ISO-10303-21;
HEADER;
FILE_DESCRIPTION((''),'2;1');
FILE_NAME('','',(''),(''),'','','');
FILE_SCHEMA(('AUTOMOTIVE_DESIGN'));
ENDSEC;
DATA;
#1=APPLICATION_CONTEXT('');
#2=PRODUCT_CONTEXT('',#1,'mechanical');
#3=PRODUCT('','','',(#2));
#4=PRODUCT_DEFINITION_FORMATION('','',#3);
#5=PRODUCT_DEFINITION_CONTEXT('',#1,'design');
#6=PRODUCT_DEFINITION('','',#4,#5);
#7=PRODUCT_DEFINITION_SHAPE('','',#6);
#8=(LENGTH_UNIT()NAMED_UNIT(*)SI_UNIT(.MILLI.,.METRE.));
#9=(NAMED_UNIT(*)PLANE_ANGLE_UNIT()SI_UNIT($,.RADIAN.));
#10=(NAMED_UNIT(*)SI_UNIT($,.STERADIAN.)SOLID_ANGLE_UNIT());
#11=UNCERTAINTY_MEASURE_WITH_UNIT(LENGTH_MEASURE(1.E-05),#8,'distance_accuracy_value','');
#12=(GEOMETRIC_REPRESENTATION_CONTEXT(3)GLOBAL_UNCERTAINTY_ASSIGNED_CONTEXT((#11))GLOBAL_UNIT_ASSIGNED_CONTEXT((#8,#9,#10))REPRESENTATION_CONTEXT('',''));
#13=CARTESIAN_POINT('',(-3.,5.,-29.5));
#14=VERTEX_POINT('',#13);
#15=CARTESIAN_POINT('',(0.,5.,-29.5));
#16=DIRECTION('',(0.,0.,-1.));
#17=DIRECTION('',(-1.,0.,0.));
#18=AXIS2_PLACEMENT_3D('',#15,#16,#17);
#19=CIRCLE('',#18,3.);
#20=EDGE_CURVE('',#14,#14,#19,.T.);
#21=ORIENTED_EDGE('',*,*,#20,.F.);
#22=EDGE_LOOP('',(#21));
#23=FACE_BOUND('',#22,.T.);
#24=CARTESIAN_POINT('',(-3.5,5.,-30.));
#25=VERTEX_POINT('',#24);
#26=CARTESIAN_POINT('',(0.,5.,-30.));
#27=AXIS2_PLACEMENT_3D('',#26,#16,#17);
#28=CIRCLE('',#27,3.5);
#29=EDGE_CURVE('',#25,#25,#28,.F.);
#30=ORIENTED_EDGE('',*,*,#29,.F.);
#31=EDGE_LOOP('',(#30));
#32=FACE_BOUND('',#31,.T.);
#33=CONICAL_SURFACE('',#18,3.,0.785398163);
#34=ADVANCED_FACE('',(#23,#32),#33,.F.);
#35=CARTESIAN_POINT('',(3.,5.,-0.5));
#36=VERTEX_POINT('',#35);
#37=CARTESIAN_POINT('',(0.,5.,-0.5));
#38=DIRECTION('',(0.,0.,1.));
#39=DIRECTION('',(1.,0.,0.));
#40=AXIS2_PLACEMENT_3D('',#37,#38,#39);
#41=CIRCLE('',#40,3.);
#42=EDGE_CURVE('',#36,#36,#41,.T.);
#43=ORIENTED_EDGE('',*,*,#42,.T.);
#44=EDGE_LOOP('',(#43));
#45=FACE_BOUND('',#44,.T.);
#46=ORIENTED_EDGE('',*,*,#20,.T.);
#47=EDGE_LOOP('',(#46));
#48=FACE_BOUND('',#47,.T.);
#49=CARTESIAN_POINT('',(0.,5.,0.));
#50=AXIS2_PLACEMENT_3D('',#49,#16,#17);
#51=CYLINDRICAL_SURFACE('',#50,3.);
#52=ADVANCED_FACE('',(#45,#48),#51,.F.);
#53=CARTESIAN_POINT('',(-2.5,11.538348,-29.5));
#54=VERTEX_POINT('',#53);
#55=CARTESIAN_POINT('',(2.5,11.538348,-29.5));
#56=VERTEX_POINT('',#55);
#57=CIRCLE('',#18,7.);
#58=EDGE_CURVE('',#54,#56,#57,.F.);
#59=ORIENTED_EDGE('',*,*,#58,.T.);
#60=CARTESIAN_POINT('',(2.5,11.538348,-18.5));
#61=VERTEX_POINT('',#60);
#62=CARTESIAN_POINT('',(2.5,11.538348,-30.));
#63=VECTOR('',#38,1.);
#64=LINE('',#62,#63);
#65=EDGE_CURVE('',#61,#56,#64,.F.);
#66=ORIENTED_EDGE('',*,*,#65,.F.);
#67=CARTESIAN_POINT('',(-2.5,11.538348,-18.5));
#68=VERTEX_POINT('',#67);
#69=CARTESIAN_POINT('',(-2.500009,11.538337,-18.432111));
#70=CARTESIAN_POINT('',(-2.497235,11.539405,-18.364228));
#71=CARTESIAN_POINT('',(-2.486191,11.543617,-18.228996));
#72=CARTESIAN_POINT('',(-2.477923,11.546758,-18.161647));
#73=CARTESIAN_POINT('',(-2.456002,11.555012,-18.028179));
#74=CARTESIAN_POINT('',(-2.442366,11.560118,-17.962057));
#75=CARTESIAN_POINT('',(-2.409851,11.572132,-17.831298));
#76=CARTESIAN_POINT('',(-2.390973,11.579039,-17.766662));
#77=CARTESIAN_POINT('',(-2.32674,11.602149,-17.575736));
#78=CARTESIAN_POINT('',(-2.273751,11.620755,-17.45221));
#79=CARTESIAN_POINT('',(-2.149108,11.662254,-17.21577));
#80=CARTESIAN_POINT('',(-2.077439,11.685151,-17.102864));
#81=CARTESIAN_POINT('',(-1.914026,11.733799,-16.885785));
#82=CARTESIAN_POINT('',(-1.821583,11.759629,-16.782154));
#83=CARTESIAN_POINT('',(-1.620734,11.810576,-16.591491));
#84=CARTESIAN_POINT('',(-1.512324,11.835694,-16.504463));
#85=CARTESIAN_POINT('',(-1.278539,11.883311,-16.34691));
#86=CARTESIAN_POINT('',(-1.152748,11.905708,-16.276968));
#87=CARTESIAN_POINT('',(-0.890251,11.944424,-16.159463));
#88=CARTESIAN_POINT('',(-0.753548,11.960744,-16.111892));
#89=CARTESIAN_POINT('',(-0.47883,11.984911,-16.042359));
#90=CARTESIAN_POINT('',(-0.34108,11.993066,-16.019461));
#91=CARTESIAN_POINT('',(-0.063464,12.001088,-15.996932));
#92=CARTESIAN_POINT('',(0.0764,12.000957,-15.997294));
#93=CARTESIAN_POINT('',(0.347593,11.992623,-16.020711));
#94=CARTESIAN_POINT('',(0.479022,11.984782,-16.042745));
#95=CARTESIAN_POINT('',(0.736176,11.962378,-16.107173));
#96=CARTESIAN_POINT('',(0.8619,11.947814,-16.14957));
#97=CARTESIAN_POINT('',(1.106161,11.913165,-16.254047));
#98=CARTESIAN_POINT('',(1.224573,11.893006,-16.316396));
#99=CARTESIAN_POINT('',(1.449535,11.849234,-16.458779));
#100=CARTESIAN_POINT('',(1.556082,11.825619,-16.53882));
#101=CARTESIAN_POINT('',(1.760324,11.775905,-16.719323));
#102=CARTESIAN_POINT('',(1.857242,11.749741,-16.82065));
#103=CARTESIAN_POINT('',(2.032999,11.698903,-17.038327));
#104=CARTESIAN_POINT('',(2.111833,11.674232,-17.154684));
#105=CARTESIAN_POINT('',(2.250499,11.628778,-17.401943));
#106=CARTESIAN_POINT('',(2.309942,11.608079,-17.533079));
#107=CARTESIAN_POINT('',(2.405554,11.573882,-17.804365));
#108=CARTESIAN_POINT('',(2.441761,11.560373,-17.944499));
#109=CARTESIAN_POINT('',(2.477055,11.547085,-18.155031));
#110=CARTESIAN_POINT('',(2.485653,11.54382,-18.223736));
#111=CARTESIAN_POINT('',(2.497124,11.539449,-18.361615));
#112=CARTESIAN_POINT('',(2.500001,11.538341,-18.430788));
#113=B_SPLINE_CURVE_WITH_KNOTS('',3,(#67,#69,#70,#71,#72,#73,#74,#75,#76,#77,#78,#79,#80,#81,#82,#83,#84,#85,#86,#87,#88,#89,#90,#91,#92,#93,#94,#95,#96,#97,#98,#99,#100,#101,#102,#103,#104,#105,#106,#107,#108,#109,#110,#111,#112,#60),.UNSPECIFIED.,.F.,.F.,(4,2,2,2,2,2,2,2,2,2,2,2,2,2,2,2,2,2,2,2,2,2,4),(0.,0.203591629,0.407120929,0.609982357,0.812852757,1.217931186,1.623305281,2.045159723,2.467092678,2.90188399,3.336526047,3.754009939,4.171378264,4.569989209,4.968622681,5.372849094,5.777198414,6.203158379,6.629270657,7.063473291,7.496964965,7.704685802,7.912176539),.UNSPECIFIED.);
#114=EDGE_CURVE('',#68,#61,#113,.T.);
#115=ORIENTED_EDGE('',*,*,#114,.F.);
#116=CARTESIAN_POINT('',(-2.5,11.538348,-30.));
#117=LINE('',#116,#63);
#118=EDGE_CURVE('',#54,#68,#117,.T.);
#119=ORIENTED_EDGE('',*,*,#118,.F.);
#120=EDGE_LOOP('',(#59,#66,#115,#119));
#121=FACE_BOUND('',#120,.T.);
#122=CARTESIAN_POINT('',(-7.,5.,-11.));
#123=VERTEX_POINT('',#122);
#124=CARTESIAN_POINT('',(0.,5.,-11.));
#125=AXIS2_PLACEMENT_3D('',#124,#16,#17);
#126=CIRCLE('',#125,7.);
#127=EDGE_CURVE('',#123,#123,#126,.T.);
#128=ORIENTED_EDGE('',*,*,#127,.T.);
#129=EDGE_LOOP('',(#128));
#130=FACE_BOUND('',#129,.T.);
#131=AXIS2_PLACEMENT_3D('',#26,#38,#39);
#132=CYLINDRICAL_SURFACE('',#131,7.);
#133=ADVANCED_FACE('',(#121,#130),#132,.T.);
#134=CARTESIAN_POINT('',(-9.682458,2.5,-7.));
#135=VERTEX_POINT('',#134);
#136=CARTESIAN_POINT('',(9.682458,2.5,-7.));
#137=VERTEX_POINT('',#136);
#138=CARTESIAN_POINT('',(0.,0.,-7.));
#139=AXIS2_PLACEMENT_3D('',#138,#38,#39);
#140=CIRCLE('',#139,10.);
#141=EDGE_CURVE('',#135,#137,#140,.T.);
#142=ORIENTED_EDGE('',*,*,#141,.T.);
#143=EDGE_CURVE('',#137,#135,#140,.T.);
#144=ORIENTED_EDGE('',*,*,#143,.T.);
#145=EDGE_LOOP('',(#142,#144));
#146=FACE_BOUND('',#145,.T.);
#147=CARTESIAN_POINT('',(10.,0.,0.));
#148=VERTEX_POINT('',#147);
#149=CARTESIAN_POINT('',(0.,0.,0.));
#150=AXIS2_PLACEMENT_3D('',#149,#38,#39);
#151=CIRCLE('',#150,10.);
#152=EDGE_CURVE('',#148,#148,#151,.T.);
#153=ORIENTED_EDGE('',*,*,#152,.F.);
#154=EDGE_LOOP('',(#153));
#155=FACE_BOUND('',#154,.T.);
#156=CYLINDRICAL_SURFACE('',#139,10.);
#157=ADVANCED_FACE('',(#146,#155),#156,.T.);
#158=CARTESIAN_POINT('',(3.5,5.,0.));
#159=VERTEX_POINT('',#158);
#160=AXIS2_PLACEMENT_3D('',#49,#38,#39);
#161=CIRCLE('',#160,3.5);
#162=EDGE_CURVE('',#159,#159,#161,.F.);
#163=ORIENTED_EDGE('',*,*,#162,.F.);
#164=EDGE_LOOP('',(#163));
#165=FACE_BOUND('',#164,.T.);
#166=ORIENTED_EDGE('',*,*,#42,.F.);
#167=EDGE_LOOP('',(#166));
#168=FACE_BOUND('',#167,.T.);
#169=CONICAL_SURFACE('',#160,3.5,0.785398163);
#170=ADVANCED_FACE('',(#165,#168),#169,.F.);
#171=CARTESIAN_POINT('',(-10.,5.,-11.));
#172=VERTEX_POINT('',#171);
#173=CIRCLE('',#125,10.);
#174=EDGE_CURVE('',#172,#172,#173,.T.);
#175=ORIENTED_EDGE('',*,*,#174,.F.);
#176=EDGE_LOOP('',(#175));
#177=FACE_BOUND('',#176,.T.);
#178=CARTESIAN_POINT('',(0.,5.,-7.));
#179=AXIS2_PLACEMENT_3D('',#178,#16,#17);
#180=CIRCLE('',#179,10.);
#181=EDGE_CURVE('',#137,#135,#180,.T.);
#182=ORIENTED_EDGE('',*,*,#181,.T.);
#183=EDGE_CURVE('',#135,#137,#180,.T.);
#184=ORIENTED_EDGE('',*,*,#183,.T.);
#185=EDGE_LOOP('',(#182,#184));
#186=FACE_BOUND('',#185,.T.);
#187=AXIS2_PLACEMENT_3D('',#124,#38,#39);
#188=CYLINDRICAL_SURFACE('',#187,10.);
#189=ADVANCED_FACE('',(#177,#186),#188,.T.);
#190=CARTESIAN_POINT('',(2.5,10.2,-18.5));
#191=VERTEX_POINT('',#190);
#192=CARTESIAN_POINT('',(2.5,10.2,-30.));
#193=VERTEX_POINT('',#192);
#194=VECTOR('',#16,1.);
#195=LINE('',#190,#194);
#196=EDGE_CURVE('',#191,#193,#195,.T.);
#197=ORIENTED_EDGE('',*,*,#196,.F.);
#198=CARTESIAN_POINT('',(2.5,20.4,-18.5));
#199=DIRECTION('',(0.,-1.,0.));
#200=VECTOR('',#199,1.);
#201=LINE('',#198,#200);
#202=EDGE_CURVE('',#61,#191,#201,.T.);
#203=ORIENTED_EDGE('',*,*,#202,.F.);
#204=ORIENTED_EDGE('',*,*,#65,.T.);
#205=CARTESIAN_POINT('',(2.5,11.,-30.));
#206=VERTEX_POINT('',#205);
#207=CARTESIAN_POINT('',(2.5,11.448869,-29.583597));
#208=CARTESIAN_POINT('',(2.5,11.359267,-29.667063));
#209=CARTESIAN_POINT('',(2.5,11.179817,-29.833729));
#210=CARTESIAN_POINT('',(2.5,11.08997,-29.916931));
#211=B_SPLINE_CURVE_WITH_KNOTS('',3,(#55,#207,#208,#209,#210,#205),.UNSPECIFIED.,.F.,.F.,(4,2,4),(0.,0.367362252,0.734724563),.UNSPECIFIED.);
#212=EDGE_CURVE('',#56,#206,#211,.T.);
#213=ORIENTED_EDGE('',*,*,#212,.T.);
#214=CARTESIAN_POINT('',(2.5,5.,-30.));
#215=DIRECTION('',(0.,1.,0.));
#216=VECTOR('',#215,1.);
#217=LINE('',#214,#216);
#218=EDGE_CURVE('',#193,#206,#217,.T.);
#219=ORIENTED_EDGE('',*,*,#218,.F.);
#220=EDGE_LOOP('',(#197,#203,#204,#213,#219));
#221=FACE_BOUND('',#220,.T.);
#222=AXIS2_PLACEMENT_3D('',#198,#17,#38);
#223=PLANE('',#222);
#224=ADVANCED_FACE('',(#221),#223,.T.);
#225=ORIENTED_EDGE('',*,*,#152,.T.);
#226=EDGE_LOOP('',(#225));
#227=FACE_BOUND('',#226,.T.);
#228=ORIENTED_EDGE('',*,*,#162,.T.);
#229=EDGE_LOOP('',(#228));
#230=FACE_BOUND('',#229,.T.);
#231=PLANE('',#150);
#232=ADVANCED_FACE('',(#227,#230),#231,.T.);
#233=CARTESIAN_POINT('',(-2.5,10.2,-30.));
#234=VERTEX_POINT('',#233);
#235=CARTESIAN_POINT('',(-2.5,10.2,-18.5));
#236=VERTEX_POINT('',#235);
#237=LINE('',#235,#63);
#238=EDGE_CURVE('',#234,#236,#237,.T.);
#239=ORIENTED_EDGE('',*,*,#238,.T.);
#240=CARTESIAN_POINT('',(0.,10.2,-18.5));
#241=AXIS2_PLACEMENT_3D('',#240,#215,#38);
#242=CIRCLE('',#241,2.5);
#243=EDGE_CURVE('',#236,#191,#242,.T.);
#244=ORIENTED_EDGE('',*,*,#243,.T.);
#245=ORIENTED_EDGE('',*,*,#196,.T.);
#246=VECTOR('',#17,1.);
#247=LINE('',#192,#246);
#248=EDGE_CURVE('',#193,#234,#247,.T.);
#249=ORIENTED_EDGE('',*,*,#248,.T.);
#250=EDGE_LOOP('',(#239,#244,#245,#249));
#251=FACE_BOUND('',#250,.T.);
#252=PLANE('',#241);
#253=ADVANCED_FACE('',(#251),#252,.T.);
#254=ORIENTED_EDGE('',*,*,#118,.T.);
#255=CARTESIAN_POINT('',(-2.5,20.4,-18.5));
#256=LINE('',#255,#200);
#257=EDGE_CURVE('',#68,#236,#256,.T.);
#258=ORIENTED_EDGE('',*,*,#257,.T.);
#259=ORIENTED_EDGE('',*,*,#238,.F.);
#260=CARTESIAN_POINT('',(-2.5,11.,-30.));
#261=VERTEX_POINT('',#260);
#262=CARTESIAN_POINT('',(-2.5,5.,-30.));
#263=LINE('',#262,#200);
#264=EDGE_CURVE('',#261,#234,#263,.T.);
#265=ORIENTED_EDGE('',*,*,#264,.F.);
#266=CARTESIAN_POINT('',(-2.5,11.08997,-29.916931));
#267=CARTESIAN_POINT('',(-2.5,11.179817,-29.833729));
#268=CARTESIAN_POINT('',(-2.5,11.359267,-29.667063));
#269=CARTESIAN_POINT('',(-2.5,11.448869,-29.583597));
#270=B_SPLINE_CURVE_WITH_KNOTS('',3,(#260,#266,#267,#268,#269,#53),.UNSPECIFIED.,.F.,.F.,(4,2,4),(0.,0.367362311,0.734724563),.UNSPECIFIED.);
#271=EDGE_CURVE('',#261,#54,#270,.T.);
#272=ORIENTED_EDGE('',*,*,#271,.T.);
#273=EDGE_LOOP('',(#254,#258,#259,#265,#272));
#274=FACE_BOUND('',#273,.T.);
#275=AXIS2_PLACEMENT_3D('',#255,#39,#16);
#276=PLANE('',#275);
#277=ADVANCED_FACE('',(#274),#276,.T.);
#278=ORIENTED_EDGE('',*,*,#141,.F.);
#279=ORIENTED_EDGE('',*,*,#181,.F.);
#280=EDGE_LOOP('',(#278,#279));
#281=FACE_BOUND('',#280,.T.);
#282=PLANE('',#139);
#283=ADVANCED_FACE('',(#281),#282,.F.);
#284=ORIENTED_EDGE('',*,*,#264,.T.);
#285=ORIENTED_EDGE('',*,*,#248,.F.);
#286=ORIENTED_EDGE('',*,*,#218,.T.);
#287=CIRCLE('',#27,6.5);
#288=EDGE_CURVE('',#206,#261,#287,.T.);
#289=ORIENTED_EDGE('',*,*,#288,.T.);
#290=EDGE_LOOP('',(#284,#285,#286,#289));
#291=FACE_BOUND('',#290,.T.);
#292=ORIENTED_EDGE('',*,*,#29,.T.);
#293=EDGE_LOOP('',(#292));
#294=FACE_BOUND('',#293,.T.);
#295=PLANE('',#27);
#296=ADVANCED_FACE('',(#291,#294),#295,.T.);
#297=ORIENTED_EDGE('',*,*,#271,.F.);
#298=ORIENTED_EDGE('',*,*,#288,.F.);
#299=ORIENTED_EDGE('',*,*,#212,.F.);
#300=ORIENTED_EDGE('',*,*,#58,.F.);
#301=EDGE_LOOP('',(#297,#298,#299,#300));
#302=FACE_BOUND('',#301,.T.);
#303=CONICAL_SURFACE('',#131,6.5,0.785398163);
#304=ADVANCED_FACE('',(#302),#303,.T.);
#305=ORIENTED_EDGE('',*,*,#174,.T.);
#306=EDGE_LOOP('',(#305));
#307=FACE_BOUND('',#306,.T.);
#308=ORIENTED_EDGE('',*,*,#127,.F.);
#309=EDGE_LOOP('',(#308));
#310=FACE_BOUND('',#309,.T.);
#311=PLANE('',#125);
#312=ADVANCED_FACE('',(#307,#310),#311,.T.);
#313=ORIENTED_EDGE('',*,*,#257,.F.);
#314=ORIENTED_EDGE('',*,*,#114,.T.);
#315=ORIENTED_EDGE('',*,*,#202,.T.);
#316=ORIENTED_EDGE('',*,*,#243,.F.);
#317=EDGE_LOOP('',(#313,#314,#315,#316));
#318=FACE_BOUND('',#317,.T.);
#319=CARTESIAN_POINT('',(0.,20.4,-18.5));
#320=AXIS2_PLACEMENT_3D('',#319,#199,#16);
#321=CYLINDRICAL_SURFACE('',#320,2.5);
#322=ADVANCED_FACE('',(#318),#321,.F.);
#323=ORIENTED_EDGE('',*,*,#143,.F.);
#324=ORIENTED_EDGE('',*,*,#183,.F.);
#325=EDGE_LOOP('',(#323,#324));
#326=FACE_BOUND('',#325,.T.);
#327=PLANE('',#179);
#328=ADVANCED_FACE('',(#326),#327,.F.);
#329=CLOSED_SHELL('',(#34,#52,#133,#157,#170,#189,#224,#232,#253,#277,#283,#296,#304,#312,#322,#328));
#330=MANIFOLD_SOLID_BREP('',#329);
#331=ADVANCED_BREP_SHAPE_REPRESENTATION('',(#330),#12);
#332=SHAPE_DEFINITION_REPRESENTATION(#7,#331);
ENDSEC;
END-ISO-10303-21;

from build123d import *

# Parameters (mm, degrees)
SKETCH1_R           = 10
BOSS_EXTRUDE1_DEPTH = 7
SKETCH2_R           = 10
BOSS_EXTRUDE2_DEPTH = 4
SKETCH3_R           = 7
BOSS_EXTRUDE3_DEPTH = 19
CUT_EXTRUDE5_START  = 10.2
CUT_EXTRUDE5_DEPTH  = 10.2
CHAMFER2_SIZE       = 0.5
SKETCH11_R          = 3
CUT_EXTRUDE6_DEPTH  = 36
CHAMFER3_SIZE       = 0.5


with BuildPart() as part:
    # Sketch1 → Boss-Extrude1 (new body)
    with BuildSketch(Plane.XY):
        Circle(SKETCH1_R)
    extrude(amount=-BOSS_EXTRUDE1_DEPTH)

    # Sketch2 → Boss-Extrude2 (add)
    with BuildSketch(Plane(origin=(0, 0, -7), x_dir=(-1, 0, 0), z_dir=(0, 0, -1))):
        with Locations(Location((0, 5, 0), (0, 0, 194.477512186))):
            Circle(SKETCH2_R)
    extrude(amount=BOSS_EXTRUDE2_DEPTH)

    # Sketch3 → Boss-Extrude3 (add)
    with BuildSketch(Plane(origin=(0, 0, -11), x_dir=(-1, 0, 0), z_dir=(0, 0, -1))):
        with Locations((0, 5)):
            Circle(SKETCH3_R)
    extrude(amount=BOSS_EXTRUDE3_DEPTH)

    # Sketch9 → Cut-Extrude5 (cut)
    with BuildSketch(Plane(origin=(0, 0, 0), x_dir=(1, 0, 0), z_dir=(0, 1, 0)).offset(CUT_EXTRUDE5_START)):
        with BuildLine():
            Line((2.5, 18.5), (2.5, 30))
            Line((2.5, 30), (-2.5, 30))
            Line((-2.5, 30), (-2.5, 18.5))
            ThreePointArc((-2.5, 18.5), (0, 16), (2.5, 18.5))
        make_face()
    extrude(amount=CUT_EXTRUDE5_DEPTH, mode=Mode.SUBTRACT)

    # Chamfer2
    chamfer2_edges = [part.edges().sort_by_distance(p)[0] for p in [
        (3.968626967, -0.766281297, -30),
    ]]
    chamfer(chamfer2_edges, length=CHAMFER2_SIZE)

    # Sketch11 → Cut-Extrude6 (cut, through all)
    with BuildSketch(Plane(origin=(0, 0, -30), x_dir=(-1, 0, 0), z_dir=(0, 0, -1))):
        with Locations((0, 5)):
            Circle(SKETCH11_R)
    extrude(amount=-CUT_EXTRUDE6_DEPTH, mode=Mode.SUBTRACT)

    # Chamfer3
    chamfer3_edges = [part.edges().sort_by_distance(p)[0] for p in [
        (3, 5, 0),
        (3, 5, -30),
    ]]
    chamfer(chamfer3_edges, length=CHAMFER3_SIZE)


solid = part.part
